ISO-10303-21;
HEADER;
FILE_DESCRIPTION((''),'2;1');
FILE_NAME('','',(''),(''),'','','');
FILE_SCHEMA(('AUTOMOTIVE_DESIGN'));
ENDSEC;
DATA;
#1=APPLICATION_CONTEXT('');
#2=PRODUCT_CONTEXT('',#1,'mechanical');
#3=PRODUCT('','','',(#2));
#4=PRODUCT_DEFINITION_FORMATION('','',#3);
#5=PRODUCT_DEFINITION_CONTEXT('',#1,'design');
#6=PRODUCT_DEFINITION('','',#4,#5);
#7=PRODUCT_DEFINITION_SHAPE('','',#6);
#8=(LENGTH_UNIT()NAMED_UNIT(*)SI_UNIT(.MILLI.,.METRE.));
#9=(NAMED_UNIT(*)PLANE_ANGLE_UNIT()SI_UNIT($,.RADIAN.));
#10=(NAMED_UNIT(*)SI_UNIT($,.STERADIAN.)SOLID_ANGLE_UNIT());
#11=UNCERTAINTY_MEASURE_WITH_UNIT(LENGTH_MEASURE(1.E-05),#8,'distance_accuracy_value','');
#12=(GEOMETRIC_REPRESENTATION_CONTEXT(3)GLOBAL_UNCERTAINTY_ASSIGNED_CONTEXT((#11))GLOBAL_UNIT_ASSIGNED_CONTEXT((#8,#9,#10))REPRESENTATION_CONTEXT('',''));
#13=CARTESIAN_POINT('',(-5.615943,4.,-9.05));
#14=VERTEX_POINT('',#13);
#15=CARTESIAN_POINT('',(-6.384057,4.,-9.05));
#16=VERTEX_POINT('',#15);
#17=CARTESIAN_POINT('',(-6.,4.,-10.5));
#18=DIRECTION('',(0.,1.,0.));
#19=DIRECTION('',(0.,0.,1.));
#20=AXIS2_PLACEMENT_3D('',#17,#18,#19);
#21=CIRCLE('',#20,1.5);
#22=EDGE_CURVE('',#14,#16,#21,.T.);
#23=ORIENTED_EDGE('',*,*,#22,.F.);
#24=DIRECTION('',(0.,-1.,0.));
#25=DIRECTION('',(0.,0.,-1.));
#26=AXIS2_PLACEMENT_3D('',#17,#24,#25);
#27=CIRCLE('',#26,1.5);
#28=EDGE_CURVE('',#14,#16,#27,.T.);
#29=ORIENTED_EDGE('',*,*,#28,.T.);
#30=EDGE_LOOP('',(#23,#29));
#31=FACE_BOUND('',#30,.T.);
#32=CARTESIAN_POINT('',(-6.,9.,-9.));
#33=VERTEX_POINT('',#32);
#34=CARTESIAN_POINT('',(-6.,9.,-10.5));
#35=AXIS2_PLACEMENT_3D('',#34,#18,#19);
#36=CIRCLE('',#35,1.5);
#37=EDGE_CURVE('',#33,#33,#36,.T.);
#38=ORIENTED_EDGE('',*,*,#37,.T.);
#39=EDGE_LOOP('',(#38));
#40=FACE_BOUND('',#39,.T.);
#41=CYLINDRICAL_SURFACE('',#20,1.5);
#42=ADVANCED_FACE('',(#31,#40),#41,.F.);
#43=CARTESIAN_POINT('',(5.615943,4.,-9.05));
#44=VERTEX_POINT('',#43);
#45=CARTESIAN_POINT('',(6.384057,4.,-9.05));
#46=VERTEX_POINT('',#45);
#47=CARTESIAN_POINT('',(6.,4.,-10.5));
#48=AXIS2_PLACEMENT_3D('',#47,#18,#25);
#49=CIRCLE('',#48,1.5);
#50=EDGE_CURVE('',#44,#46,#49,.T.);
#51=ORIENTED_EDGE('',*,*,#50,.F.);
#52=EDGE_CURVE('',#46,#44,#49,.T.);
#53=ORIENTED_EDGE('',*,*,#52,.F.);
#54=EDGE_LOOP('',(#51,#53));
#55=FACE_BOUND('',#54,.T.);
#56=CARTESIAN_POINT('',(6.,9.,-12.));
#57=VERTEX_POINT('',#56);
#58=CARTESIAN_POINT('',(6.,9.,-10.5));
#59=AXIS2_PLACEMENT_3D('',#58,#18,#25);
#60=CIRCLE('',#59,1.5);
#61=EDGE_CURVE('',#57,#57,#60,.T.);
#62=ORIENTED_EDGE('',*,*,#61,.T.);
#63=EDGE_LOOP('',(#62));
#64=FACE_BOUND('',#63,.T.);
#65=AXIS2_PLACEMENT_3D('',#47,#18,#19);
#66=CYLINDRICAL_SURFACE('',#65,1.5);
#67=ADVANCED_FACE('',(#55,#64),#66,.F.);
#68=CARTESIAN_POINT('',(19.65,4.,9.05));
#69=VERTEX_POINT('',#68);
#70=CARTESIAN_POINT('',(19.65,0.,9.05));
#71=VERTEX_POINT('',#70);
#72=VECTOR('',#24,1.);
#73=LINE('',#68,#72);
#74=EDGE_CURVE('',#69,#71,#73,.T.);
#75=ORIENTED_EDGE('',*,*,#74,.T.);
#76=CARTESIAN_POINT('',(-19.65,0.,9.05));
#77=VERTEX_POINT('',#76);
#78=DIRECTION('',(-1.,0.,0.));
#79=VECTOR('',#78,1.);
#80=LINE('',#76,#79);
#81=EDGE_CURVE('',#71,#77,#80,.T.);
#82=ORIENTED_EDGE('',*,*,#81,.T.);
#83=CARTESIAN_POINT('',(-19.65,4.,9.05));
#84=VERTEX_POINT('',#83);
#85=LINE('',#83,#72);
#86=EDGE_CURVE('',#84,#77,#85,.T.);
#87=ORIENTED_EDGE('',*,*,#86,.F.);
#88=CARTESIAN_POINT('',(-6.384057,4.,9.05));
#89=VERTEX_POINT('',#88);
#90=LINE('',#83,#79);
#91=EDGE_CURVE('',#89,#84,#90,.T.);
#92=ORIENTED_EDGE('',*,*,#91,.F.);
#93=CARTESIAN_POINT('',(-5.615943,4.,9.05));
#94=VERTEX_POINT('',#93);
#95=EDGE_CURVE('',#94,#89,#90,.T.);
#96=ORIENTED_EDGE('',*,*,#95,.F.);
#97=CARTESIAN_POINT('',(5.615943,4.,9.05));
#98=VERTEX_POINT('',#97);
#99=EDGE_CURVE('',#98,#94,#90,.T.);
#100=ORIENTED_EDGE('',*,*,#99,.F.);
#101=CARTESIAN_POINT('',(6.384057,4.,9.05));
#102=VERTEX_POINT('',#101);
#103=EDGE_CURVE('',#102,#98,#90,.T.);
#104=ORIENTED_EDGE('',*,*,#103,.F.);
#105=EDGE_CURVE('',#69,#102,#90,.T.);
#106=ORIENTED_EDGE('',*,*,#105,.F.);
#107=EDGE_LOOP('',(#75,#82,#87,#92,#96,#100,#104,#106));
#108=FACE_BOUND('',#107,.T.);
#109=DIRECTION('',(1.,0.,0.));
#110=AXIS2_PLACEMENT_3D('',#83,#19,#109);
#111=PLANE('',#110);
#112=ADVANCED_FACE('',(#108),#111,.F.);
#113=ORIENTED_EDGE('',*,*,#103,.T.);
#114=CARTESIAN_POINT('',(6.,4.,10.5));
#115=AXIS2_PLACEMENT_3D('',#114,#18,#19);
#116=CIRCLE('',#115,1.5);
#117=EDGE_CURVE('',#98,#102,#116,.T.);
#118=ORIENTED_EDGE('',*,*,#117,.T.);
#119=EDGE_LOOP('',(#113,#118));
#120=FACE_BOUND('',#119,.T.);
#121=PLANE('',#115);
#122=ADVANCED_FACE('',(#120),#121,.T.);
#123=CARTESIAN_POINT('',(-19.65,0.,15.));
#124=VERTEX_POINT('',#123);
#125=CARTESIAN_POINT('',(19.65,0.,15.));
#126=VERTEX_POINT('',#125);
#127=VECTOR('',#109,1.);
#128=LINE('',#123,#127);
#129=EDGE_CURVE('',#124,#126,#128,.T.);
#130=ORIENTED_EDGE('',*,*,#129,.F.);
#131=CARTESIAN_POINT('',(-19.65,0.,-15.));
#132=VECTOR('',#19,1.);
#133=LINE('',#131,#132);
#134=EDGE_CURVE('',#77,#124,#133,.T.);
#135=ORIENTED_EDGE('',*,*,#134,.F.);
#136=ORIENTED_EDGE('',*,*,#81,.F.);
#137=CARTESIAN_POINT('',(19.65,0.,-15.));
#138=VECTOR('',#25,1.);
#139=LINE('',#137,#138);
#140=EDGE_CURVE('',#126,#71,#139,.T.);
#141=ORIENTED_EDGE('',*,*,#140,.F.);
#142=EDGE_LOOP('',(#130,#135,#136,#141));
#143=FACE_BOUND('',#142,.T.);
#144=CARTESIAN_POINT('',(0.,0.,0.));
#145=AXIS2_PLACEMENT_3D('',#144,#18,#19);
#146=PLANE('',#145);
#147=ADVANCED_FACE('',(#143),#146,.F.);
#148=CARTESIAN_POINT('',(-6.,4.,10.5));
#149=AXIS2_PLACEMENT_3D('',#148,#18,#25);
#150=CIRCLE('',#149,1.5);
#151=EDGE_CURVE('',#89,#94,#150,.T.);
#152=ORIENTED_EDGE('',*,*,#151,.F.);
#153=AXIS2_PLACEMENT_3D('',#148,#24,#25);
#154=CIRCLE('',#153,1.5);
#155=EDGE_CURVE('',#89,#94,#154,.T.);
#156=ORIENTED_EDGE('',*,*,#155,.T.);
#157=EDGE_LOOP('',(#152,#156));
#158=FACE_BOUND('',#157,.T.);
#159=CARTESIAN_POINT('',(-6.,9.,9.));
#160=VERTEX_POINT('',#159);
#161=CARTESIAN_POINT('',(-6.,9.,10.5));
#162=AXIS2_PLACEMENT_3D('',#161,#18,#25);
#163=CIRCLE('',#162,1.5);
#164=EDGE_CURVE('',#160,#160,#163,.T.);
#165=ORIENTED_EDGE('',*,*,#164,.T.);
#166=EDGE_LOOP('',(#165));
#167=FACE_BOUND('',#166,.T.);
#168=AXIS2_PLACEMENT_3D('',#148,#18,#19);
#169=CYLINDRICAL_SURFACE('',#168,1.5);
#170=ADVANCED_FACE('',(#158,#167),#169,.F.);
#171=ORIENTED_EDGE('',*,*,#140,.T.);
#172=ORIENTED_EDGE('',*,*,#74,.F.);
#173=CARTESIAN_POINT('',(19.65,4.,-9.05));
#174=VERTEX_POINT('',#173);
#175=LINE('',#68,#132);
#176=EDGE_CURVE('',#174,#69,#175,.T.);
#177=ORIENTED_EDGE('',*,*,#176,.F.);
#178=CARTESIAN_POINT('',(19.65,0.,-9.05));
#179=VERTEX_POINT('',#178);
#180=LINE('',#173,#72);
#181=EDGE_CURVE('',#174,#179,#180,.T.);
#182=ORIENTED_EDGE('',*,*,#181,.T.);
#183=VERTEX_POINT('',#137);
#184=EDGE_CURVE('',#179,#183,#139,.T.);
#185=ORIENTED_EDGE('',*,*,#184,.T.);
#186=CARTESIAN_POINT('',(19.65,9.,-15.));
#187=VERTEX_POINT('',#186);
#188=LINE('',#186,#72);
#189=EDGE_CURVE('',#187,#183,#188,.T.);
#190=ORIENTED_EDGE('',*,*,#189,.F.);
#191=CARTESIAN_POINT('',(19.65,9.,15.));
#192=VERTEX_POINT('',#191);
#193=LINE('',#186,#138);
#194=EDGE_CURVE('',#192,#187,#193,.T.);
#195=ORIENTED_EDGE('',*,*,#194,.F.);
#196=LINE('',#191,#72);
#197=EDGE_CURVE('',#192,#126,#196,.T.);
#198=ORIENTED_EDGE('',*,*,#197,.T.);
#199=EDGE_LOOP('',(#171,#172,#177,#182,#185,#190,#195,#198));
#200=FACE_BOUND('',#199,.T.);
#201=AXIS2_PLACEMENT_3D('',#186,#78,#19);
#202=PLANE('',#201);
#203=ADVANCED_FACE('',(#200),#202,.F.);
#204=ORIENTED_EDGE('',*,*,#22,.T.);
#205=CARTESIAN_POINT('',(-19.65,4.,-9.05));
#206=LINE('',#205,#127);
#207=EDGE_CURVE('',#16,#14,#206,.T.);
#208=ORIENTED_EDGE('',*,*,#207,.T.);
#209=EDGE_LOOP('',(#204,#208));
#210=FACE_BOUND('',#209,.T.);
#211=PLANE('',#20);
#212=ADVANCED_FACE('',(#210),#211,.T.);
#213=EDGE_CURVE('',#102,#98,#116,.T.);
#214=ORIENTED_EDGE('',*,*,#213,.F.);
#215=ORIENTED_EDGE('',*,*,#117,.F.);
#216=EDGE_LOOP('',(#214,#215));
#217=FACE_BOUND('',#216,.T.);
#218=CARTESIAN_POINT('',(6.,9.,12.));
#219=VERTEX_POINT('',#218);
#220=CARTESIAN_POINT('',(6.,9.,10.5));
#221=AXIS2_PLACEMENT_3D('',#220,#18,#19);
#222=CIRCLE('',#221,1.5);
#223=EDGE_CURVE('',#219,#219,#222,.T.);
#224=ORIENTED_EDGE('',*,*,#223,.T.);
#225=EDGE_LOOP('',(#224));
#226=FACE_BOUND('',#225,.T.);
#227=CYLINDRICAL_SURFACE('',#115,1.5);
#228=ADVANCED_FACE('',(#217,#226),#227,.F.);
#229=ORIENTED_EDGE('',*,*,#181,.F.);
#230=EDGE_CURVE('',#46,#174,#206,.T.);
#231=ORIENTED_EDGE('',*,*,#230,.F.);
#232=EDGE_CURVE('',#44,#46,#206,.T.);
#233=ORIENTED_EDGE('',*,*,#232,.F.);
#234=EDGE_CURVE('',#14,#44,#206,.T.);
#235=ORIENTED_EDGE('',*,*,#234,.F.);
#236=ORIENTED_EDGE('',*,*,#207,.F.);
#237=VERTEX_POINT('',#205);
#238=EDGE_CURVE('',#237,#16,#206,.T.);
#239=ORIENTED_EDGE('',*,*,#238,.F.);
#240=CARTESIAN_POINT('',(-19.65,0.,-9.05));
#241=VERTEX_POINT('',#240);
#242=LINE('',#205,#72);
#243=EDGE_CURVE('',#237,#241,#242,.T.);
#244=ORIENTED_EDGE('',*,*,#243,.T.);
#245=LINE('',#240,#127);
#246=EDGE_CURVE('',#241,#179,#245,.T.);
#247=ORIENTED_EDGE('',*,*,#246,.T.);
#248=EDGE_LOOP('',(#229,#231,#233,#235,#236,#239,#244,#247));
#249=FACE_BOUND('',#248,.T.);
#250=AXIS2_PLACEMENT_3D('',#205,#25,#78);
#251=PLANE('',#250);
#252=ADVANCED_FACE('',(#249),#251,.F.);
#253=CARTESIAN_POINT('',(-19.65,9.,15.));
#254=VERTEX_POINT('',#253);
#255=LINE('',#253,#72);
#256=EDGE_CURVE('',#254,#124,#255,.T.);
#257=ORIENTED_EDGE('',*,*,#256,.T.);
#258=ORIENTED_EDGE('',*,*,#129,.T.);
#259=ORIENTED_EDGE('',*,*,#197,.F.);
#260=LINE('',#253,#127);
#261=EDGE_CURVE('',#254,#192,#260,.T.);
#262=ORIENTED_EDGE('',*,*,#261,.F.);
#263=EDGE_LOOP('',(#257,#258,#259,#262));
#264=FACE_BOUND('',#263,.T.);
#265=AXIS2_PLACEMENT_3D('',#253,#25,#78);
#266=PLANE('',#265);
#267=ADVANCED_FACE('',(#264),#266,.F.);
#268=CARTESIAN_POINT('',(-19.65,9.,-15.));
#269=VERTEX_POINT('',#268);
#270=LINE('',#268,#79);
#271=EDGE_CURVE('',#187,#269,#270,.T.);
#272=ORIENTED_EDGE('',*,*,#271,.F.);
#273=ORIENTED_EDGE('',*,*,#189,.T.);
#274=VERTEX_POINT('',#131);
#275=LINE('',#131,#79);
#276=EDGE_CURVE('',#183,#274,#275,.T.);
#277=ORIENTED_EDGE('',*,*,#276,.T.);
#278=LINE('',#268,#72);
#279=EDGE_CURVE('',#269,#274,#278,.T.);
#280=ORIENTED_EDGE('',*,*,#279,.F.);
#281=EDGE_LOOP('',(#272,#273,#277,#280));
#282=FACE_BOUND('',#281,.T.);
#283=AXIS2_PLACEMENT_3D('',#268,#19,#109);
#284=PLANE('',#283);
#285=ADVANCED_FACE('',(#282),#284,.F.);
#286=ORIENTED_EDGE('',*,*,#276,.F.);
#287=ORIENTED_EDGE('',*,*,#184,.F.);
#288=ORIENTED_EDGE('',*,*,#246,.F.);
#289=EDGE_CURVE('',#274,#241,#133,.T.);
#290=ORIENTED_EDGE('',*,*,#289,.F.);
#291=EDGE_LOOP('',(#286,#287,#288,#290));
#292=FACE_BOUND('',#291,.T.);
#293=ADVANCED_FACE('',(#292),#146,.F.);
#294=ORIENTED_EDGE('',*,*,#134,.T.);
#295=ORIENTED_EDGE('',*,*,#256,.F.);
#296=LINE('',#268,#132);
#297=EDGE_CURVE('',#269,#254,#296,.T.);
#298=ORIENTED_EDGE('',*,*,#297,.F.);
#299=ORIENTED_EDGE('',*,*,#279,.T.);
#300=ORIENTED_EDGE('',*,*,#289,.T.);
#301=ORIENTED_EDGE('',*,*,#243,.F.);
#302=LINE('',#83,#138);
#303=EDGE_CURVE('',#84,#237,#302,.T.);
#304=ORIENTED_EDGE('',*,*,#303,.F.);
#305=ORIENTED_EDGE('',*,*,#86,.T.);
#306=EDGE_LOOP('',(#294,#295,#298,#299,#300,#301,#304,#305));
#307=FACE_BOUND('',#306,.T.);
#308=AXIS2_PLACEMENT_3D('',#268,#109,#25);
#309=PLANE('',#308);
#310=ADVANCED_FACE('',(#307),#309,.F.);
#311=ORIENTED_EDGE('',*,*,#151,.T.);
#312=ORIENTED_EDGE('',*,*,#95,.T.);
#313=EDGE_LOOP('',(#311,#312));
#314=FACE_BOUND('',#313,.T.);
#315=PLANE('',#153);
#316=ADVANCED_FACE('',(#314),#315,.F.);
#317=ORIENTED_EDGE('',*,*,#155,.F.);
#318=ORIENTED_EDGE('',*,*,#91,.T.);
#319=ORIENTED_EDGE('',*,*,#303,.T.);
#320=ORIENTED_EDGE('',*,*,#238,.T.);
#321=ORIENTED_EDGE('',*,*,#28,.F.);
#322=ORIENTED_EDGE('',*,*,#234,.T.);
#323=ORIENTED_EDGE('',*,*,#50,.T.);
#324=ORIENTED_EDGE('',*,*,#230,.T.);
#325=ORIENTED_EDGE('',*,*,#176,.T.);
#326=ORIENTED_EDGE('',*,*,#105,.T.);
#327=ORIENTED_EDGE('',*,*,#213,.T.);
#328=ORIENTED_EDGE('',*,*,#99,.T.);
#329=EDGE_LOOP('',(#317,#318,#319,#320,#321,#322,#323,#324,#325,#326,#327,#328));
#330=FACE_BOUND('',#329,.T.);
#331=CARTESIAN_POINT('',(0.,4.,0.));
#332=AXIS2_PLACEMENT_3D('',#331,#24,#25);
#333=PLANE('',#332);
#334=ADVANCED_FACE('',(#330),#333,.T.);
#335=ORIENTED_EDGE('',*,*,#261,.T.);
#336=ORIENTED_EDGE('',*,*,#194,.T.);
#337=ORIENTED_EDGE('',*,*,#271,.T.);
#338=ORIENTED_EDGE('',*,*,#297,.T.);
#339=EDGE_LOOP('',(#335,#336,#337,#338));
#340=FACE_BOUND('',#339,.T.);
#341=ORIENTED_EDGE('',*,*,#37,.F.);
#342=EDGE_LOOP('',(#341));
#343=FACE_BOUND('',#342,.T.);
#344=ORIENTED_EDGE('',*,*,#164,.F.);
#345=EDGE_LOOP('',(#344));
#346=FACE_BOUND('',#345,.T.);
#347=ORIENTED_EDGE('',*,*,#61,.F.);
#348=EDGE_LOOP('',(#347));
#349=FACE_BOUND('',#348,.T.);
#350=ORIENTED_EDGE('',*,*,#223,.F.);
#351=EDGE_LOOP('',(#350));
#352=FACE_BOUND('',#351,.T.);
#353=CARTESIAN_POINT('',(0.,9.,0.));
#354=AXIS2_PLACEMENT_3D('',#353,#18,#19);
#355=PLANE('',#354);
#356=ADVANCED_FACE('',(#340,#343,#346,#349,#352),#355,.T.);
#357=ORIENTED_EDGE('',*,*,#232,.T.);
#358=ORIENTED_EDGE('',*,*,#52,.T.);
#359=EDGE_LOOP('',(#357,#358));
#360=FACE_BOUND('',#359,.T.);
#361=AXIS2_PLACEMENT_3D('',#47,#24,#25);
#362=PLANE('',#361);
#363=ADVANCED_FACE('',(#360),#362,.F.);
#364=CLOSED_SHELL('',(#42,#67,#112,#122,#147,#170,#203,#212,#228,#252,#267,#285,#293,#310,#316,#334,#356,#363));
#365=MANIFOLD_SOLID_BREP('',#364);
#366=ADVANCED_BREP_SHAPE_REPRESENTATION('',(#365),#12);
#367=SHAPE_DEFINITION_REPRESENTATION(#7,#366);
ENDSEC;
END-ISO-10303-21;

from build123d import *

# Parameters (mm, degrees)
SKETCH_1_W          = 39.3
SKETCH_1_H          = 30
EXTRUDE_1_DEPTH     = 9
SKETCH_2_W          = 39.3
SKETCH_2_H          = 18.1
CUT_EXTRUDE_1_DEPTH = 4
SKETCH_3_R          = 1.5
CUT_EXTRUDE_2_DEPTH = 5


with BuildPart() as part:
    # 草图1 → 凸台-拉伸1 (new body)
    with BuildSketch(Plane(origin=(0, 0, 0), x_dir=(1, 0, 0), z_dir=(0, 1, 0))):
        Rectangle(SKETCH_1_W, SKETCH_1_H)
    extrude(amount=EXTRUDE_1_DEPTH)

    # 草图2 → 切除-拉伸1 (cut)
    with BuildSketch(Plane.XZ):
        Rectangle(SKETCH_2_W, SKETCH_2_H)
    extrude(amount=-CUT_EXTRUDE_1_DEPTH, mode=Mode.SUBTRACT)

    # 草图3 → 切除-拉伸2 (cut)
    with BuildSketch(Plane(origin=(0, 9, 0), x_dir=(1, 0, 0), z_dir=(0, 1, 0))):
        with Locations((-6, 10.5)):
            Circle(SKETCH_3_R)
        with Locations((6, 10.5)):
            Circle(SKETCH_3_R)
        with Locations((6, -10.5)):
            Circle(SKETCH_3_R)
        with Locations((-6, -10.5)):
            Circle(SKETCH_3_R)
    extrude(amount=-CUT_EXTRUDE_2_DEPTH, mode=Mode.SUBTRACT)


solid = part.part
